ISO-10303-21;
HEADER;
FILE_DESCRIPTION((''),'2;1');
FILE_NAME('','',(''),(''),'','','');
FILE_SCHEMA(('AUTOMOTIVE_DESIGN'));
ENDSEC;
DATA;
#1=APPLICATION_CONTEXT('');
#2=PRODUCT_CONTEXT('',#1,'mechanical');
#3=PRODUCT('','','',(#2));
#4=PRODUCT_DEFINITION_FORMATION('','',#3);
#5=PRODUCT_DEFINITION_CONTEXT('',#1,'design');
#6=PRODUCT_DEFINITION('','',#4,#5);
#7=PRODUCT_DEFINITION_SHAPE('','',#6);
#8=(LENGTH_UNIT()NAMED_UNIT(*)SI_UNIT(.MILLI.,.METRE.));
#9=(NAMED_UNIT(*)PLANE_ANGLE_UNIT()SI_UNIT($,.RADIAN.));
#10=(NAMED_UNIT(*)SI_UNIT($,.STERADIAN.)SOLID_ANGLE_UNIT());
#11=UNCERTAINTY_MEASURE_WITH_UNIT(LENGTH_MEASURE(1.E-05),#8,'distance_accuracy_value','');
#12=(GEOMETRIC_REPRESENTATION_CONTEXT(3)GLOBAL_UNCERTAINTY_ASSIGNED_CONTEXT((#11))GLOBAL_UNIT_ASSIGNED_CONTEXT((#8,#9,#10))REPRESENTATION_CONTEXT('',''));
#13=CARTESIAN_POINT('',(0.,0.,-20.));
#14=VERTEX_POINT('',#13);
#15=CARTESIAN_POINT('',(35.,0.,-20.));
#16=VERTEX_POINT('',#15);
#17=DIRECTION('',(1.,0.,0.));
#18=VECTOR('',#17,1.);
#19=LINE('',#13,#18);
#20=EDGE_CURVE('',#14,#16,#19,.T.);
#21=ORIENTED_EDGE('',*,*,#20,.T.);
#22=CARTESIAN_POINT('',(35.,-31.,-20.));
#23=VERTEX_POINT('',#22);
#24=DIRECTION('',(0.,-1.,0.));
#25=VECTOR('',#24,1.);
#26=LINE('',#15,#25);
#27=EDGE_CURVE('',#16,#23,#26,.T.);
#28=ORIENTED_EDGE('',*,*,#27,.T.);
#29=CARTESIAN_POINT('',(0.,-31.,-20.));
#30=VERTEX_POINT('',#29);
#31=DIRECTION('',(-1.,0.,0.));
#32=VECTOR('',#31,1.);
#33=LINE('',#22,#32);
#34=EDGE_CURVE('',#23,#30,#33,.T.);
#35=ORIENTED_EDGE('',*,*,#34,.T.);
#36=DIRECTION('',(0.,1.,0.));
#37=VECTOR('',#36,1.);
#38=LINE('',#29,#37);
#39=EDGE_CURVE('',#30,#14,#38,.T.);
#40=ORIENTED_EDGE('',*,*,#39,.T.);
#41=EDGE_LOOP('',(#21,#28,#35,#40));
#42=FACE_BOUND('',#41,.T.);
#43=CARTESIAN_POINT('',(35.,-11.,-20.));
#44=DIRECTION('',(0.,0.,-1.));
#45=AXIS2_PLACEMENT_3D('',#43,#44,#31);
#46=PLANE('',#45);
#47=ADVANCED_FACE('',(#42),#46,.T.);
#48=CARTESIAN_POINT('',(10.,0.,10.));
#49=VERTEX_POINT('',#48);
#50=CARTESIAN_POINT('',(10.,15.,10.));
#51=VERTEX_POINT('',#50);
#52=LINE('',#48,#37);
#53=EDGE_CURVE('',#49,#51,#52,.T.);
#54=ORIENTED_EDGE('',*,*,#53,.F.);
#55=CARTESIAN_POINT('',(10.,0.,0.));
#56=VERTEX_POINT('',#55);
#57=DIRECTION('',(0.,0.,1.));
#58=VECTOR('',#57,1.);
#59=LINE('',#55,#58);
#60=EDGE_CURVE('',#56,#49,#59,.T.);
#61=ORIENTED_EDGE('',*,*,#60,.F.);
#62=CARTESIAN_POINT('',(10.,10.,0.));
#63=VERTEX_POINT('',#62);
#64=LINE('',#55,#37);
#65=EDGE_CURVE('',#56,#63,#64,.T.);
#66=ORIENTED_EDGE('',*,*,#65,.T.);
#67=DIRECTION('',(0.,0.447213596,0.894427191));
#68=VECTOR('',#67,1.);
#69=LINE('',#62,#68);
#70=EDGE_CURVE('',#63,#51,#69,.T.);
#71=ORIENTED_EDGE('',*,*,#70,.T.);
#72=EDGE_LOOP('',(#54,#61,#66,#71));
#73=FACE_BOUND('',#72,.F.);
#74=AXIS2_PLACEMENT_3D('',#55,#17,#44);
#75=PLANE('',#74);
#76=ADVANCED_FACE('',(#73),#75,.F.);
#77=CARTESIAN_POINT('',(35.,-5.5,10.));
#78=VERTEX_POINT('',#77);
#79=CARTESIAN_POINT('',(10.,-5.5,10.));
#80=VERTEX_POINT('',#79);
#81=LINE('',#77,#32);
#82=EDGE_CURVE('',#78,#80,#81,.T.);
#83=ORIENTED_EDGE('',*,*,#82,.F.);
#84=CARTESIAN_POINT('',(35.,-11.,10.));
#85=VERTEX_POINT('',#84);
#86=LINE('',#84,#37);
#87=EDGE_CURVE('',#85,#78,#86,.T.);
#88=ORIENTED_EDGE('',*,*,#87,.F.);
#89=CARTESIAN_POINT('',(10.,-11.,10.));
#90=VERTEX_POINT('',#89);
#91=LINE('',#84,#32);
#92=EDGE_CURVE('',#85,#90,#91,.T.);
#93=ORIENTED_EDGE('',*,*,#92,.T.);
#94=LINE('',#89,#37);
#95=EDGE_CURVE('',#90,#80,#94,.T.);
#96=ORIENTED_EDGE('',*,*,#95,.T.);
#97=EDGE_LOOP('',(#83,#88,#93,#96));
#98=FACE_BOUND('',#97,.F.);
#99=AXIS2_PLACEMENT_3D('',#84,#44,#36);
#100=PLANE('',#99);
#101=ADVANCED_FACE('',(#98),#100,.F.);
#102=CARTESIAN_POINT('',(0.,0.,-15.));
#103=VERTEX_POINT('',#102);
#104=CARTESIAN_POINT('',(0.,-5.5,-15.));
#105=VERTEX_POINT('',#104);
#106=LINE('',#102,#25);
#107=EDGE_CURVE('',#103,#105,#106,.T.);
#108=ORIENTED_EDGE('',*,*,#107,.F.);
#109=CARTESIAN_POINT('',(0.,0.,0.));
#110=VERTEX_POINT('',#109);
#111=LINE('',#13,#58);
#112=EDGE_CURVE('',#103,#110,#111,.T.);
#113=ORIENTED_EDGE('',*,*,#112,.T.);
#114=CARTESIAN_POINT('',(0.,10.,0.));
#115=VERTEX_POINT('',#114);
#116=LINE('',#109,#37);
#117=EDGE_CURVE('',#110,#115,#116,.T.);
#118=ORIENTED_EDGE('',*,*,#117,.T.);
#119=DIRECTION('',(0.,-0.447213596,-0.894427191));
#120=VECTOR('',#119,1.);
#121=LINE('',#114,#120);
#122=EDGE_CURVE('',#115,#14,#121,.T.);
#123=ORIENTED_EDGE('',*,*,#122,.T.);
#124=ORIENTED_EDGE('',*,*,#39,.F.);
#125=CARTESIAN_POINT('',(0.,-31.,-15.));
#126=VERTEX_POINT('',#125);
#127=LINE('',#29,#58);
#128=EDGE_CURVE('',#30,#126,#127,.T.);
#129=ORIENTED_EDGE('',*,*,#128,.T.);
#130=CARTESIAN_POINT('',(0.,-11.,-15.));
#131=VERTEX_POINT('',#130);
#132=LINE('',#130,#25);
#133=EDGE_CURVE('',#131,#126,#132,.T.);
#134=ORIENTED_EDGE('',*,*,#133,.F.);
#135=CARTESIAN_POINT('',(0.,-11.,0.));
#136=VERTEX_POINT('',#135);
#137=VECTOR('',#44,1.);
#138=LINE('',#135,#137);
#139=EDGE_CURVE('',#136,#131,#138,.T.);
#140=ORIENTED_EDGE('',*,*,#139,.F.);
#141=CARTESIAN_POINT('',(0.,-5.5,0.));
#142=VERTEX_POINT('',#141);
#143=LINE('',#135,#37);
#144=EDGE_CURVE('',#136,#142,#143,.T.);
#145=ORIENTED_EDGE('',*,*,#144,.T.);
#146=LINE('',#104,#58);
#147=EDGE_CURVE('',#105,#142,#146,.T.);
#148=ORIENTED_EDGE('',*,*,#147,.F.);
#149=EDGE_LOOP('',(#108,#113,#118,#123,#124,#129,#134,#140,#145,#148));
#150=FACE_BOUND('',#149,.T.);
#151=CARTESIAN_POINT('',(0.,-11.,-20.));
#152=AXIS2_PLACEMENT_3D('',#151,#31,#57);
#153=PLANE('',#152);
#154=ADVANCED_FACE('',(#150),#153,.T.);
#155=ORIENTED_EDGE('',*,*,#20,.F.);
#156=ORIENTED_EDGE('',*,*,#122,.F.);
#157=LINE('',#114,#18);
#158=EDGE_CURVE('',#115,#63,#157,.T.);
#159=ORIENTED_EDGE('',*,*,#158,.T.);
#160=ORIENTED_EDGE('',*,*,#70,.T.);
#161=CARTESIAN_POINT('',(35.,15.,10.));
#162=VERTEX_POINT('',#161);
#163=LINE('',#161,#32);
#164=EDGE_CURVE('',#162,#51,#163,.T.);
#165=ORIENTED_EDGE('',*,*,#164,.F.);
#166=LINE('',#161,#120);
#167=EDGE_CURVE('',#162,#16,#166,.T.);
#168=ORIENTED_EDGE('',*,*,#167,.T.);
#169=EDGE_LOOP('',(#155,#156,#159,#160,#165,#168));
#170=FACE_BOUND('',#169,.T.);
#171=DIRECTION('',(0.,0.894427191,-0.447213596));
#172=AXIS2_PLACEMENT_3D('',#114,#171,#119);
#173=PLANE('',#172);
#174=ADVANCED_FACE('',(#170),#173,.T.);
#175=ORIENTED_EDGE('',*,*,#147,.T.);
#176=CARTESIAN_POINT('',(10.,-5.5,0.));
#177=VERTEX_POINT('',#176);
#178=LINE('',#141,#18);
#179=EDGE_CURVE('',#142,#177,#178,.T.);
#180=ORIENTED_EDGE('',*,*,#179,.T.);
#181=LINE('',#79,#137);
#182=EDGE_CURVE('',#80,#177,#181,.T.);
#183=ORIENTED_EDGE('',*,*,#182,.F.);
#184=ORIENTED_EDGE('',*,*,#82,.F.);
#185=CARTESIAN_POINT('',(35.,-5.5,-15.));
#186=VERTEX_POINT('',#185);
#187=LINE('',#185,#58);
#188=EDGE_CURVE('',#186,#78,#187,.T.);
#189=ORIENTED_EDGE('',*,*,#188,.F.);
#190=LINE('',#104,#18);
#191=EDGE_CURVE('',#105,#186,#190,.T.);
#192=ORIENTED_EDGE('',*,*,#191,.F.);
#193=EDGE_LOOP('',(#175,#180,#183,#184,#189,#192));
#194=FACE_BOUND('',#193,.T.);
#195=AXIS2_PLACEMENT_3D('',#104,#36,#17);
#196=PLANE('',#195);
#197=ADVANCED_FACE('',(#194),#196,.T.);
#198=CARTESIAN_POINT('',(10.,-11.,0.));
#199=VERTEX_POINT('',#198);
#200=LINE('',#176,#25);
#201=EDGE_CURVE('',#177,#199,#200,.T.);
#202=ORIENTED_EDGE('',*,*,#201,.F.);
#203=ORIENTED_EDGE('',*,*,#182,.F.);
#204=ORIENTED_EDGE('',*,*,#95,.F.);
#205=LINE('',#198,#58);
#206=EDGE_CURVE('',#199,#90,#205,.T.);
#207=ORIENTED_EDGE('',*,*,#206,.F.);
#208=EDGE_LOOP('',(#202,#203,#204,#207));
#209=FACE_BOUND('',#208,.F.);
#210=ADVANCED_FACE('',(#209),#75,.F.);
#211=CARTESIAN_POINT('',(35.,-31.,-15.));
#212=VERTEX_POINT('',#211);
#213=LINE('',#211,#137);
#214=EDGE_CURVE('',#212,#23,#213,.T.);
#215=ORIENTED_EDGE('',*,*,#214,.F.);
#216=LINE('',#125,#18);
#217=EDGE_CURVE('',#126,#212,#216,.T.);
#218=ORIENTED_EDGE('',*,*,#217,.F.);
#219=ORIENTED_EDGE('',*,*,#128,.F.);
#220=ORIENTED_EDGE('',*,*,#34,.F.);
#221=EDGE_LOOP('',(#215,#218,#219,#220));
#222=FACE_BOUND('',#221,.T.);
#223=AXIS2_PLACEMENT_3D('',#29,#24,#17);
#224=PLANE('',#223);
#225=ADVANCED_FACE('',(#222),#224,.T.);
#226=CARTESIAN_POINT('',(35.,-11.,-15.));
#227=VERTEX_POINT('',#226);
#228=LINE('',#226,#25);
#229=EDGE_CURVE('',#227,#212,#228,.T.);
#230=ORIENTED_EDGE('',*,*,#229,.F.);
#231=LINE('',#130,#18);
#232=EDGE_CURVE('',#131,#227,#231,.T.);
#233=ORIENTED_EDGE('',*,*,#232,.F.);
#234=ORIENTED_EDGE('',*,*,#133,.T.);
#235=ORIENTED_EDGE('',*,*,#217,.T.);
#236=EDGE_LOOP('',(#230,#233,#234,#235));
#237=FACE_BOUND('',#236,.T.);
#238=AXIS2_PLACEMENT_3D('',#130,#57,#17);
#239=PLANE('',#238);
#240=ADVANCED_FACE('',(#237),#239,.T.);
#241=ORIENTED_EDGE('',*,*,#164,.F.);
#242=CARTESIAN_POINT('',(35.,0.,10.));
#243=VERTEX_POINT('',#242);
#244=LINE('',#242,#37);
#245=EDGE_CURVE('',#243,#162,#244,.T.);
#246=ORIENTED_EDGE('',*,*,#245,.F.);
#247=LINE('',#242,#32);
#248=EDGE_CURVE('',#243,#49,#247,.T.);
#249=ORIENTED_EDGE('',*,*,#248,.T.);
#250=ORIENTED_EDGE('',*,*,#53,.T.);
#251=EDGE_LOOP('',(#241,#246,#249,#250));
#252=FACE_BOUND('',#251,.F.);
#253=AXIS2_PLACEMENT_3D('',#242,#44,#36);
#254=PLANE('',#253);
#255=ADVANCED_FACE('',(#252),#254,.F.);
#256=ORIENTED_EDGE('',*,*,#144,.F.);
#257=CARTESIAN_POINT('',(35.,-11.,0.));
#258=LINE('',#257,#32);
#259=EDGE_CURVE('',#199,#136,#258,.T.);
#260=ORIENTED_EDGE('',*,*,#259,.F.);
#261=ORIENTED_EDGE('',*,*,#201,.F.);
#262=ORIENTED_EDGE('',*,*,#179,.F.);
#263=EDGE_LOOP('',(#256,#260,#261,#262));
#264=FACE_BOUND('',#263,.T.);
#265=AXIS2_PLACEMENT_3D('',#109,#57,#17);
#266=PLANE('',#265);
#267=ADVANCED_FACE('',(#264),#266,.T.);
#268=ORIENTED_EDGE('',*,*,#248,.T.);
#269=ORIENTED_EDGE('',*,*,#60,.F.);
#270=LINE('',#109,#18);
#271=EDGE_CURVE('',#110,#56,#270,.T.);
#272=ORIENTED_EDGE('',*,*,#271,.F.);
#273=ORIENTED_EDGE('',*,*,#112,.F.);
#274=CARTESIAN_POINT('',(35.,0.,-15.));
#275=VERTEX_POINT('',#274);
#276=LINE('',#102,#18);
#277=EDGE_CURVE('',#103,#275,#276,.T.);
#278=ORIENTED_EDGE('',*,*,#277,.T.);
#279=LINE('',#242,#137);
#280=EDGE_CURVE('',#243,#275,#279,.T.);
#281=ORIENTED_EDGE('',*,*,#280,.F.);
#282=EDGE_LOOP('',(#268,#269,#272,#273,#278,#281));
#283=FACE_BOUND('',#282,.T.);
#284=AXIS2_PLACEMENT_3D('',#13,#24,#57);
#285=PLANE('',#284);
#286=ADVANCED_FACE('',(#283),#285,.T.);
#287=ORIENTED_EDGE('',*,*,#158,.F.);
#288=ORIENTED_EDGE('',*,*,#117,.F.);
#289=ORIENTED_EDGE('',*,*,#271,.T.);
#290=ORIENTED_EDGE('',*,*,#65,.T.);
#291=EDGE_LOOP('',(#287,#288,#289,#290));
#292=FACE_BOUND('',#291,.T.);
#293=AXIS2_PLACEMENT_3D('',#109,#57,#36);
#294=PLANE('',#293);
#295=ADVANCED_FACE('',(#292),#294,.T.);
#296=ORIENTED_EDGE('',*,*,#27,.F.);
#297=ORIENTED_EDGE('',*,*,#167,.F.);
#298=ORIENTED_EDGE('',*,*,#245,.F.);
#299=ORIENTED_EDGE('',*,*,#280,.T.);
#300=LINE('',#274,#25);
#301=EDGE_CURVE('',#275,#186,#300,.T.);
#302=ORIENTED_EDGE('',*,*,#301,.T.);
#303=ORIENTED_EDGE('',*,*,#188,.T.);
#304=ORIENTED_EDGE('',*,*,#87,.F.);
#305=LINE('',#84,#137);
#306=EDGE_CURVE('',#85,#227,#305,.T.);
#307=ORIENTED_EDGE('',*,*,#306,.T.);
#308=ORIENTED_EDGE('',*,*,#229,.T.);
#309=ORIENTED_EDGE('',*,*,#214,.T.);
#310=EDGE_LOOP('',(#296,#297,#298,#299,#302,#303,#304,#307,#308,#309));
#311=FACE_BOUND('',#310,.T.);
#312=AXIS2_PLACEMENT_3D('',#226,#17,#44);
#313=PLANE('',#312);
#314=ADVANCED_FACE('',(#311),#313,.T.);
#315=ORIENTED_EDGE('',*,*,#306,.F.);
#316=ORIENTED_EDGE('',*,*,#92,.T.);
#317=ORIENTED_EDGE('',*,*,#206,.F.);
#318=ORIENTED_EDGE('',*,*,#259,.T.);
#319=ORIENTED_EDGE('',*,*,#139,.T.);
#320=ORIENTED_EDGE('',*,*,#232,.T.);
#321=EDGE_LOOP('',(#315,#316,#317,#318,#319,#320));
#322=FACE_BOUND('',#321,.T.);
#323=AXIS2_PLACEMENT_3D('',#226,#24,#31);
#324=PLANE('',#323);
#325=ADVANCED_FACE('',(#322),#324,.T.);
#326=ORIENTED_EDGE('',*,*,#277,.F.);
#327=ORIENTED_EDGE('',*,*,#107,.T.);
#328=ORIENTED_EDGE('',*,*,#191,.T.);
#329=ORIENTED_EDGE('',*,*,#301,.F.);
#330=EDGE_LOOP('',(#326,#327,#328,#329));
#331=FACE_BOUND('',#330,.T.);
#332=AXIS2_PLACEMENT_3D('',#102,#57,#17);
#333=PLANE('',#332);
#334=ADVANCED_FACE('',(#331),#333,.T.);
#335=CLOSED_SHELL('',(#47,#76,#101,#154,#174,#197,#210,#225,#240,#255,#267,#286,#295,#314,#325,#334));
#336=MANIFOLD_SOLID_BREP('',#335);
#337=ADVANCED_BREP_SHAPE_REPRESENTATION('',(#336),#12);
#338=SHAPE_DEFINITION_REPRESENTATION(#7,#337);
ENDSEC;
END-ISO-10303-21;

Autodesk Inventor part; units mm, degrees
ref_plane "YZ Plane" through (0, 0, 0) normal (1, 0, 0) x (0, 1, 0)
ref_plane "XZ Plane" through (0, 0, 0) normal (0, 1, 0) x (-1, 0, 0)
ref_plane "XY Plane" through (0, 0, 0) normal (0, 0, 1) x (1, 0, 0)
sketch "Sketch1" plane through (0, 0, 0) normal (1, 0, 0) x (0, 1, 0)
  line L0 (0, 0) -> (10, 0)
  line L1 (10, 0) -> (0, -20)
  line L2 (0, -20) -> (0, 0)
  dimension "d0" = 20
  dimension "d1" = 10
extrude "Extrusion1" add sketch "Sketch1" along normal blind 35
sketch "Sketch7" plane through (0, 0, -20) normal (0, -1, 0) x (1, 0, 0)
  line L0 (35, 20) -> (35, 0) projected
  line L1 (0, 0) -> (0, 20) projected
  line L2 (35, 0) -> (0, 0)
  line L3 (0, 0) -> (0, 5)
  line L4 (0, 5) -> (35, 5)
  line L5 (35, 5) -> (35, 0)
  dimension "d17" = 5
extrude "Extrusion7" add sketch "Sketch7" along normal blind 11
sketch "Sketch8" plane through (0, 0, -15) normal (0, 0, 1) x (1, 0, 0)
  line L0 (35, -11) -> (0, -11)
  line L1 (0, -11) -> (0, -5.5)
  line L2 (0, -5.5) -> (35, -5.5)
  line L3 (35, -5.5) -> (35, -11)
  point P0 (0, 0)
  dimension "d20" = 5.5
  dimension "d26" = 35
extrude "Extrusion8" add sketch "Sketch8" along normal blind 15
sketch "Sketch9" plane through (0, -11, -20) normal (0, -1, 0) x (1, 0, 0)
  line L0 (0, 5) -> (0, 20) projected
  line L1 (35, 0) -> (0, 0)
  line L2 (0, 0) -> (0, 5)
  line L3 (0, 5) -> (35, 5)
  line L4 (35, 5) -> (35, 0)
  dimension "d23" = 5
extrude "Extrusion9" add sketch "Sketch9" along normal blind 20
sketch "Sketch10" plane through (35, 0, 0) normal (1, 0, 0) x (0, 0, -1)
  line L0 (15, 0) -> (0, 0) projected
  line L1 (0, 0) -> (-10, 0)
  line L2 (0, -11) -> (-10, -11)
  line L3 (-10, -11) -> (-10, -5.5)
  line L4 (-10, -5.5) -> (0, -5.5)
  line L5 (0, -5.5) -> (0, -11)
  line L6 (0, 10) -> (20, 0) projected
  line L7 (0, 10) -> (-10, 15)
  line L8 (20, 0) -> (0, 10) projected
  line L9 (-10, 0) -> (-10, 15)
  line L10 (0, 0) -> (0, 10) projected
  line L11 (0, 0) -> (0, 10)
  dimension "d27" = 10
  dimension "d30" = 10
extrude "Extrusion10" add sketch "Sketch10" against normal blind 25
properties part number "Ooze_Ramp_Top"
